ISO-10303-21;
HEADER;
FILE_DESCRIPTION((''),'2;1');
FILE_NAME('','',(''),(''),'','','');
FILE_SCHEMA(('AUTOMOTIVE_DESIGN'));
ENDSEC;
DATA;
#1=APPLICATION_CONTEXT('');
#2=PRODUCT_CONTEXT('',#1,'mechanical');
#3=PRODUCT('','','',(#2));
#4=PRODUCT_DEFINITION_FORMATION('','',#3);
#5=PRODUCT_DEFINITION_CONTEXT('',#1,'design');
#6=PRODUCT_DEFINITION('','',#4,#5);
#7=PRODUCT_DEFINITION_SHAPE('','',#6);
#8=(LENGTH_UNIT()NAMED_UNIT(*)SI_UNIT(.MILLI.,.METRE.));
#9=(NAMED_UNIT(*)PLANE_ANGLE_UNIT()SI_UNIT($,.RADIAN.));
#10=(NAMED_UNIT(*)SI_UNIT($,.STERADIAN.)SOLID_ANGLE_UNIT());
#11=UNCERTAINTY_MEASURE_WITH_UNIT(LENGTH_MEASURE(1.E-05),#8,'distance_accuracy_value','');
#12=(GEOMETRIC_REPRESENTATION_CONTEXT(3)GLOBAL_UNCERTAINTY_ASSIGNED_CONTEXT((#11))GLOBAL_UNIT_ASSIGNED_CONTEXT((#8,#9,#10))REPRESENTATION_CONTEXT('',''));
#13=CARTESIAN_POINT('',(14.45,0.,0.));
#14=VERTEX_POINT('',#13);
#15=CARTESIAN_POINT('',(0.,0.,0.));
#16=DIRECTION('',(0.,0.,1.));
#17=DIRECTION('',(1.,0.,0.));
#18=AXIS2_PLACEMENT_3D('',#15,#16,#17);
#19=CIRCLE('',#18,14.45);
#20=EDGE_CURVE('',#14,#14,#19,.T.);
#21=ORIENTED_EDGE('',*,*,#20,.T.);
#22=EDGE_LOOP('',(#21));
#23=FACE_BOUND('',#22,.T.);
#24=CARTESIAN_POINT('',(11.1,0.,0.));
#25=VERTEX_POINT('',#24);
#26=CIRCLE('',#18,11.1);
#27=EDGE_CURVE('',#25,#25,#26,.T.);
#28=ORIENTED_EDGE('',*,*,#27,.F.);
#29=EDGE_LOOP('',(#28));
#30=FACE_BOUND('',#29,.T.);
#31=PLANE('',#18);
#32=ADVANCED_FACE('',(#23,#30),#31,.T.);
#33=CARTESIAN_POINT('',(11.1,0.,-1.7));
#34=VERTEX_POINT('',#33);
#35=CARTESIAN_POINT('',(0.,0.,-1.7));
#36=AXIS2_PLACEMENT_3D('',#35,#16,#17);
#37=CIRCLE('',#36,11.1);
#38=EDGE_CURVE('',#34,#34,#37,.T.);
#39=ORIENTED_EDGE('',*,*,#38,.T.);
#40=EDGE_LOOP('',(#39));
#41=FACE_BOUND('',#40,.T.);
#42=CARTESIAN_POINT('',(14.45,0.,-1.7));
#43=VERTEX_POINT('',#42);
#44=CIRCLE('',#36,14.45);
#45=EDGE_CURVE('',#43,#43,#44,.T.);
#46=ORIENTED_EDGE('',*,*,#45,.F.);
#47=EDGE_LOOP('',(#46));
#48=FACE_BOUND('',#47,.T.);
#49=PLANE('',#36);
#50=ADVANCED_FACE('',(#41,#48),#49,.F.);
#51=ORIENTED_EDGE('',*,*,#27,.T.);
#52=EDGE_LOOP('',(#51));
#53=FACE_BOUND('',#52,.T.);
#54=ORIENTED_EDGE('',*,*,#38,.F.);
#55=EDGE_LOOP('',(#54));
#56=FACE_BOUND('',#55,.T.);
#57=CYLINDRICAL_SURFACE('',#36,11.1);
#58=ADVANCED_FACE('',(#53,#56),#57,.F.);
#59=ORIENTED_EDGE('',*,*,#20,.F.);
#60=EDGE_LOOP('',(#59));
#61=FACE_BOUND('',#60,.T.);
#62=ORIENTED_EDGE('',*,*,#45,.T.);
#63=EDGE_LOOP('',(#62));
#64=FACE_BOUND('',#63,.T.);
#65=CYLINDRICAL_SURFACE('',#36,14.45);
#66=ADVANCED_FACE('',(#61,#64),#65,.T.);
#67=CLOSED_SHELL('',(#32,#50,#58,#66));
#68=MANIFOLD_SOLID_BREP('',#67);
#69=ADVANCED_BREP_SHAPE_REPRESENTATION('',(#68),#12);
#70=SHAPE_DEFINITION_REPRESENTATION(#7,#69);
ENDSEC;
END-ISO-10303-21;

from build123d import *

# Parameters (mm, degrees)
SKETCH1_R      = 14.45
SKETCH1_R_2    = 11.1
EXTRUDE1_DEPTH = 1.7


with BuildPart() as part:
    # Sketch1 → Extrude1 (new body)
    with BuildSketch(Plane.XY):
        Circle(SKETCH1_R)
        Circle(SKETCH1_R_2, mode=Mode.SUBTRACT)
    extrude(amount=-EXTRUDE1_DEPTH)


solid = part.part
